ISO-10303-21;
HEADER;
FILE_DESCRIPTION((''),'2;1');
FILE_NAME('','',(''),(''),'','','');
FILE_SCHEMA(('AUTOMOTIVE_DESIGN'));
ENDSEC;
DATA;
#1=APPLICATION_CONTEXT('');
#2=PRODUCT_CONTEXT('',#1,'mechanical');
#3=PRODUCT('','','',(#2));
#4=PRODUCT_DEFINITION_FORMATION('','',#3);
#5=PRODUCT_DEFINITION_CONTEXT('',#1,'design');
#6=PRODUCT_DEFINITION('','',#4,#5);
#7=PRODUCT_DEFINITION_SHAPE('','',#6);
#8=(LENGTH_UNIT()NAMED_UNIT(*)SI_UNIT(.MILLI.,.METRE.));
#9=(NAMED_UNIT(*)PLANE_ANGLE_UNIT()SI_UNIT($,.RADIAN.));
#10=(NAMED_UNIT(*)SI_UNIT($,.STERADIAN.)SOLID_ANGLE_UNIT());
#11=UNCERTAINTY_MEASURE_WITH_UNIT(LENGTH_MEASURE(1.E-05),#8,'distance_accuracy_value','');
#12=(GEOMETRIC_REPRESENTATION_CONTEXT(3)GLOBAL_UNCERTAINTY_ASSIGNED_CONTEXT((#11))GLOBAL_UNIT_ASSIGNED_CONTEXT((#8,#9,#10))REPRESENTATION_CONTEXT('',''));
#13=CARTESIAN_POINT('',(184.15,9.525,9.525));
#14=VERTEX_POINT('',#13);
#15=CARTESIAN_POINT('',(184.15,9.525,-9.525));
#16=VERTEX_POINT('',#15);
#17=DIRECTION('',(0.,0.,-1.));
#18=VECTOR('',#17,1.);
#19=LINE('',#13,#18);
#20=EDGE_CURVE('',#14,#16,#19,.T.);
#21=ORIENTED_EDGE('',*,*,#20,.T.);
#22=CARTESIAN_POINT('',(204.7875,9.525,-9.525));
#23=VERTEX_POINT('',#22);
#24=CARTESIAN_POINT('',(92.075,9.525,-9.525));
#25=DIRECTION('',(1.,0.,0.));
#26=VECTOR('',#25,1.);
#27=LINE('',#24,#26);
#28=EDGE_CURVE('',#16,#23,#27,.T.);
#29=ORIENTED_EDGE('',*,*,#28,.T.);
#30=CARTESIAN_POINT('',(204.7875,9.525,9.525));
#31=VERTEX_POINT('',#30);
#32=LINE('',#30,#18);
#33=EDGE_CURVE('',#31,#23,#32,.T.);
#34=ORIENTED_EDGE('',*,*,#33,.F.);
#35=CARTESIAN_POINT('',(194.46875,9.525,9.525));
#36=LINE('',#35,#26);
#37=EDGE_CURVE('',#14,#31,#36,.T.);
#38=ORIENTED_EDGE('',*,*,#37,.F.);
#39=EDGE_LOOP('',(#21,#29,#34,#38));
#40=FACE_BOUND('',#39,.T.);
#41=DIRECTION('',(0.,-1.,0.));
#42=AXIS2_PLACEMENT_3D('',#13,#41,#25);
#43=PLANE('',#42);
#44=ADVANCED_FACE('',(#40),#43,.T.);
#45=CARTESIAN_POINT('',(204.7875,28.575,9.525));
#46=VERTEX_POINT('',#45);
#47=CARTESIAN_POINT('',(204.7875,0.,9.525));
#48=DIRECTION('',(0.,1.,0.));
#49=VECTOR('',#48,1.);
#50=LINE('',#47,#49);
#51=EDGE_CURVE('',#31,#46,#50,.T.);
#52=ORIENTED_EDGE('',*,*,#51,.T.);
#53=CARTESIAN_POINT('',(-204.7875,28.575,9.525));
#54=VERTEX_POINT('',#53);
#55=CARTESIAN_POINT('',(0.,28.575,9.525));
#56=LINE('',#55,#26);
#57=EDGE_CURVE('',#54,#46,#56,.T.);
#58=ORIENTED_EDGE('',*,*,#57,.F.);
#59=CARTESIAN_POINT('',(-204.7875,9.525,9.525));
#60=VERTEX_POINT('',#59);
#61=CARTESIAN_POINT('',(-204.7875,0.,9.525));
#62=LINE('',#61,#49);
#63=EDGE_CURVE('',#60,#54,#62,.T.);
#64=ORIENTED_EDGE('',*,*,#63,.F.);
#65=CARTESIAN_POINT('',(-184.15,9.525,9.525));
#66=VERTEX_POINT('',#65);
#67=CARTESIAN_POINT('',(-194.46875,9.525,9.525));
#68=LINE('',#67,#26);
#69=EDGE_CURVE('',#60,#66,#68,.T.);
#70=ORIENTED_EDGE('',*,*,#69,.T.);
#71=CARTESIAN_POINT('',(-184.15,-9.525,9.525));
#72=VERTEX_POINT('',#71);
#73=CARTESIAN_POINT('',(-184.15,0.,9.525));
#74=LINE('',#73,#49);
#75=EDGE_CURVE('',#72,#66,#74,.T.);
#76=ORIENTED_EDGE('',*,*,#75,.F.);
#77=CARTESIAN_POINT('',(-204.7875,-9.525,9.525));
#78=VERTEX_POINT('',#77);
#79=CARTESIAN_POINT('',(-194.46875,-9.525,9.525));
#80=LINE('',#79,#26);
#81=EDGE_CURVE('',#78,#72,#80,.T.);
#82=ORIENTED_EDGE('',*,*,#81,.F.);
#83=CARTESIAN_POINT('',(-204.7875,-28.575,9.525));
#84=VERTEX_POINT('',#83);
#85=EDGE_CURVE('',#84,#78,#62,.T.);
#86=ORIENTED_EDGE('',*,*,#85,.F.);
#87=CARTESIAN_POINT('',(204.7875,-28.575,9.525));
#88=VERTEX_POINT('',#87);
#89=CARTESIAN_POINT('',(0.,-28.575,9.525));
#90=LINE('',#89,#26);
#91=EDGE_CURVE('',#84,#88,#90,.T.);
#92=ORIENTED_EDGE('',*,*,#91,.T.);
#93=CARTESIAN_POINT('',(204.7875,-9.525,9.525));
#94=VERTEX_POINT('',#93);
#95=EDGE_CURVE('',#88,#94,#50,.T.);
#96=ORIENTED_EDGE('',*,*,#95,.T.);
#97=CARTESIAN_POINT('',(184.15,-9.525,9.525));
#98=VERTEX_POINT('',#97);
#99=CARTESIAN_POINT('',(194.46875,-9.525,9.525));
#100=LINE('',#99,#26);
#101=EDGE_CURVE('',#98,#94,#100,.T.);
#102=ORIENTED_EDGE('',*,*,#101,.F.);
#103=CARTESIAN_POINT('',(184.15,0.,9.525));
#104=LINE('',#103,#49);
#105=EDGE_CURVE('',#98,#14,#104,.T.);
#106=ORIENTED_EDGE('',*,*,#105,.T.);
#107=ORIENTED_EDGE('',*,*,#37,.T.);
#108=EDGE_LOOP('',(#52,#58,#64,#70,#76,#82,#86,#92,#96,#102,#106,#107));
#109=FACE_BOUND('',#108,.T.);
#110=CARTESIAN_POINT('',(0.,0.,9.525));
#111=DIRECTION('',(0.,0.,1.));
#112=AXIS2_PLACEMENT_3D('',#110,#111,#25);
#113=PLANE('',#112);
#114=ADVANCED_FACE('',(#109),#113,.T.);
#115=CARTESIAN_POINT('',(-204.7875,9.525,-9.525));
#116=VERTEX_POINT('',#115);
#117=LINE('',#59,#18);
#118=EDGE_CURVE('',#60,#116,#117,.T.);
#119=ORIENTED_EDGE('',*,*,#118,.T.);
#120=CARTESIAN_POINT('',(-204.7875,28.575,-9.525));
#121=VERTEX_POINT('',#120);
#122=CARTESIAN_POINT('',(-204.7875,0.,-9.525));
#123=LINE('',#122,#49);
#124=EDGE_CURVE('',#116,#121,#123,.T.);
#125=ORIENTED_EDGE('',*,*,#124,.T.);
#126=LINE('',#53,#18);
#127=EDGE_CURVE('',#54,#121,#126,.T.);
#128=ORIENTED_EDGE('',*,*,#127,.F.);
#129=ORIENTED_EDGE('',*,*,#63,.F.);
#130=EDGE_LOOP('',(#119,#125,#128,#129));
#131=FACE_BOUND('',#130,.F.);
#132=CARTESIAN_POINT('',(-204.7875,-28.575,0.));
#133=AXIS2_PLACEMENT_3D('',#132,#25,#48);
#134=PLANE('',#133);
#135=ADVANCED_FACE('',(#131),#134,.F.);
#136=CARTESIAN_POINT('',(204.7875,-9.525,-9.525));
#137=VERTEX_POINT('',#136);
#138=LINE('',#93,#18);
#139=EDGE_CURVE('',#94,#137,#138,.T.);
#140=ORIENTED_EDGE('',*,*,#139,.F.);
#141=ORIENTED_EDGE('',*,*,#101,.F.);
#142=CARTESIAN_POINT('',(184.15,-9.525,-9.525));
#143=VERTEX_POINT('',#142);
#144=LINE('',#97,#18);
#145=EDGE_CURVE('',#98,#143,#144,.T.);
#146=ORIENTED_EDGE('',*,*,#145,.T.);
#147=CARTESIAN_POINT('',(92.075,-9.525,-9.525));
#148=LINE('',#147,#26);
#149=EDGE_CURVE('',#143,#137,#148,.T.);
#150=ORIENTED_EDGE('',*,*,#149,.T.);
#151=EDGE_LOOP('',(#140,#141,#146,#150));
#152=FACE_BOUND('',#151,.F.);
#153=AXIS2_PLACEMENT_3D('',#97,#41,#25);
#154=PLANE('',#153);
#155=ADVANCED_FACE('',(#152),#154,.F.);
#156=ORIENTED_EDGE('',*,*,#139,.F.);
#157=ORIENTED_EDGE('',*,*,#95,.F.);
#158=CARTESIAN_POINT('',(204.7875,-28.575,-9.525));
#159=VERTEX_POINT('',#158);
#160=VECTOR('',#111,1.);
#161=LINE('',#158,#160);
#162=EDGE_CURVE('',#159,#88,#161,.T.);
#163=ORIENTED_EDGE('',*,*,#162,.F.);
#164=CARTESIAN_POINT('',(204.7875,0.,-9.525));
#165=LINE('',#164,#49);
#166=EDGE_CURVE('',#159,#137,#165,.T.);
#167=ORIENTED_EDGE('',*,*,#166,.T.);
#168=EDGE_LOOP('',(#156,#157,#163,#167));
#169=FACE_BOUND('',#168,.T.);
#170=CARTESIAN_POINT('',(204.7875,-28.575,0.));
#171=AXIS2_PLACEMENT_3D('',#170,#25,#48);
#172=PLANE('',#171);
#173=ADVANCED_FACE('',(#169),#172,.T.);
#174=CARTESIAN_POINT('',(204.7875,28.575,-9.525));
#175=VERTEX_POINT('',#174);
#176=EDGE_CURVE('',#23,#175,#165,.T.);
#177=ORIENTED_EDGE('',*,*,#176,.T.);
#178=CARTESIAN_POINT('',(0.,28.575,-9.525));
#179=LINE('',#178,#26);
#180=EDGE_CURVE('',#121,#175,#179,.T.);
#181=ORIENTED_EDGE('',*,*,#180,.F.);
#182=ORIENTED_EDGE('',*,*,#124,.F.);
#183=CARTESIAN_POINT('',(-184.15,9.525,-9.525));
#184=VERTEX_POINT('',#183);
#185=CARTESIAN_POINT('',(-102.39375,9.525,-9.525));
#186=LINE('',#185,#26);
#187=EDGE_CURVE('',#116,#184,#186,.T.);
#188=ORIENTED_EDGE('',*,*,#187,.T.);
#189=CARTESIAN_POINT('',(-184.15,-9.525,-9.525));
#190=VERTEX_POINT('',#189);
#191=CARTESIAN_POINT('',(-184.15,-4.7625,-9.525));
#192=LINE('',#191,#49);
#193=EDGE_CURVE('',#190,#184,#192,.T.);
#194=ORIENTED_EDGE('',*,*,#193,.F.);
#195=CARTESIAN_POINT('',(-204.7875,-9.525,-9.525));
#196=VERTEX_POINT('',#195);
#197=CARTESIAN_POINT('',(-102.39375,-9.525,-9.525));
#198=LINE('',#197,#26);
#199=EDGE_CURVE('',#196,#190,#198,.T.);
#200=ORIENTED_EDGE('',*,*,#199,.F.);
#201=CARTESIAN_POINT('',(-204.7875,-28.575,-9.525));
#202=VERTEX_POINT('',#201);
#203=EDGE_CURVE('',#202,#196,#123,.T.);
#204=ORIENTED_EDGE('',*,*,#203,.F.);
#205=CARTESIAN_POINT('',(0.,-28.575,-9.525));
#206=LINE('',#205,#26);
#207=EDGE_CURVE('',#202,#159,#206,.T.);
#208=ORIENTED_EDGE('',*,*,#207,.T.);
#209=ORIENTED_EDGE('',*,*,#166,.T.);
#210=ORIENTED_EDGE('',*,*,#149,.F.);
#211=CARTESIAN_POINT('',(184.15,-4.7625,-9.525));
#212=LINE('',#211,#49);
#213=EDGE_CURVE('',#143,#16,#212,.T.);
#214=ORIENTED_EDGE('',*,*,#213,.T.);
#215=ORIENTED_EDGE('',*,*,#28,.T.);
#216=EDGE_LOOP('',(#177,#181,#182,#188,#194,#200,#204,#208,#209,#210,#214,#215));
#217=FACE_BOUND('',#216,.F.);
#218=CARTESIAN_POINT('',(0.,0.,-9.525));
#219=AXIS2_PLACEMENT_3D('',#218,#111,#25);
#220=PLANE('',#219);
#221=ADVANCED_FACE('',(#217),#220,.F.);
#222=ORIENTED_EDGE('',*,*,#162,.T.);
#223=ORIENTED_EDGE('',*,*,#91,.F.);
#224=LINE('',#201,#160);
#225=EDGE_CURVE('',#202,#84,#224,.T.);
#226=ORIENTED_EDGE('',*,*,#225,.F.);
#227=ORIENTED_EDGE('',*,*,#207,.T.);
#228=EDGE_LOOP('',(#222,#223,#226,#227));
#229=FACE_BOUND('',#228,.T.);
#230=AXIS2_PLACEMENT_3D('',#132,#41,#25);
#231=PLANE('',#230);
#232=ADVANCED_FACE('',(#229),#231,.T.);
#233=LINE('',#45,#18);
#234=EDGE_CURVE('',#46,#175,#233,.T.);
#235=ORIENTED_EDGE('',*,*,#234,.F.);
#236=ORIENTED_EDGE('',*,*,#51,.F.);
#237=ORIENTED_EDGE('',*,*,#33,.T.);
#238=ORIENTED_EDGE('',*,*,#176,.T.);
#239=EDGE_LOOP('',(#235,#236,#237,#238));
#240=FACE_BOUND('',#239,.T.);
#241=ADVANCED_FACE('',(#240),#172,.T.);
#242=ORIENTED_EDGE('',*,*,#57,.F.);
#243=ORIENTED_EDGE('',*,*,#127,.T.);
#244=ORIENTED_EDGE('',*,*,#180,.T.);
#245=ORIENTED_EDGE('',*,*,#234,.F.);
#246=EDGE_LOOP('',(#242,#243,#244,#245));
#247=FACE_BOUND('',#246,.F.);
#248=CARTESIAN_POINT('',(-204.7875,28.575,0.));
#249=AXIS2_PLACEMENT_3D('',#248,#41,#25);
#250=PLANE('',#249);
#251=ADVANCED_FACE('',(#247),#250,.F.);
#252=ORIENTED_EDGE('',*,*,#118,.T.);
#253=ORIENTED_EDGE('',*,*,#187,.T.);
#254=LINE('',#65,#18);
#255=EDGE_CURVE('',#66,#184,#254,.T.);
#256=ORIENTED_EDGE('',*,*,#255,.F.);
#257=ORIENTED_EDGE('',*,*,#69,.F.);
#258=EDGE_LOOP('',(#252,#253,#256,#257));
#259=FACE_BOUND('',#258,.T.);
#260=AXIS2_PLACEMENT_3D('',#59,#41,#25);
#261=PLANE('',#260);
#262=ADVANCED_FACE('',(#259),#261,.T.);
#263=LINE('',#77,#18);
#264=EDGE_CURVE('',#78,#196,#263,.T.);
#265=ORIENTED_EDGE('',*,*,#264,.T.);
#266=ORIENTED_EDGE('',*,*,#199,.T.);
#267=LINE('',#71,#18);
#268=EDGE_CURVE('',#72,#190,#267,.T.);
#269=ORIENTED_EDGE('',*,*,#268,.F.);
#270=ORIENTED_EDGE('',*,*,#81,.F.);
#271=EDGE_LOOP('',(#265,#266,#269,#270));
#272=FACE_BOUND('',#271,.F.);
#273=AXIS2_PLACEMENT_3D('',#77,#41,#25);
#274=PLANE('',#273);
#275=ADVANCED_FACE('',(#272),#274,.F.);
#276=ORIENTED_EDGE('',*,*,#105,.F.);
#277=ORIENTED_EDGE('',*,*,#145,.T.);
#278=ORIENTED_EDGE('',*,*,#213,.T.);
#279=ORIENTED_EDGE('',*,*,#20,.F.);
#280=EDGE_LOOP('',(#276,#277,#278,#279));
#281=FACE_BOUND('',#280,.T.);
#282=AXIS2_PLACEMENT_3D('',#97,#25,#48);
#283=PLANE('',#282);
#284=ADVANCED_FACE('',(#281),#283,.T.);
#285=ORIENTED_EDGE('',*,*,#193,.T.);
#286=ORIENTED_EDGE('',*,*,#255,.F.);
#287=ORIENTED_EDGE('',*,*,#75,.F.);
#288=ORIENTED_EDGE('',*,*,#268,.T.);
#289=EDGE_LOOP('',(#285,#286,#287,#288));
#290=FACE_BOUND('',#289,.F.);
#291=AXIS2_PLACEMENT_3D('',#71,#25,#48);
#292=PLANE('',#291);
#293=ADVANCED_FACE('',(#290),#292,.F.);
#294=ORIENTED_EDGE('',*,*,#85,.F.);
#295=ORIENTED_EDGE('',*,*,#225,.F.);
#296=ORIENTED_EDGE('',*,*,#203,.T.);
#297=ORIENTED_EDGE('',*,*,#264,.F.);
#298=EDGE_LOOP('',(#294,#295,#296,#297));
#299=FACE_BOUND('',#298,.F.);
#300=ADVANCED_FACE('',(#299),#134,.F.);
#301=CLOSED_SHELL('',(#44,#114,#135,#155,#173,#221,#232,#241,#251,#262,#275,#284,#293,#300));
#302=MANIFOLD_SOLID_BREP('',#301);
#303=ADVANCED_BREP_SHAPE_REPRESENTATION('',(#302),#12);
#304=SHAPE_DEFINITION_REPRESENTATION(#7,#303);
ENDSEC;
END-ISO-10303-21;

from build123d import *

# Parameters (mm, degrees)
F0_W     = 409.575
F0_H     = 57.15
F1_DEPTH = 9.525
F2_W     = 20.6375
F2_H     = 19.05
F3_DEPTH = 19.051


with BuildPart() as f1:
    # F0 (on Top) → F1 (new body, symmetric)
    with BuildSketch(Plane.XY):
        Rectangle(F0_W, F0_H)
    extrude(amount=F1_DEPTH, both=True)

    # F2 (on face) → F3 (cut, through all)
    with BuildSketch(Plane.XY.offset(9.525)):
        with Locations((-194.46875, 0)):
            Rectangle(F2_W, F2_H)
        with Locations((194.46875, 0)):
            Rectangle(F2_W, F2_H)
    extrude(amount=-F3_DEPTH, mode=Mode.SUBTRACT)


solid = f1.part
